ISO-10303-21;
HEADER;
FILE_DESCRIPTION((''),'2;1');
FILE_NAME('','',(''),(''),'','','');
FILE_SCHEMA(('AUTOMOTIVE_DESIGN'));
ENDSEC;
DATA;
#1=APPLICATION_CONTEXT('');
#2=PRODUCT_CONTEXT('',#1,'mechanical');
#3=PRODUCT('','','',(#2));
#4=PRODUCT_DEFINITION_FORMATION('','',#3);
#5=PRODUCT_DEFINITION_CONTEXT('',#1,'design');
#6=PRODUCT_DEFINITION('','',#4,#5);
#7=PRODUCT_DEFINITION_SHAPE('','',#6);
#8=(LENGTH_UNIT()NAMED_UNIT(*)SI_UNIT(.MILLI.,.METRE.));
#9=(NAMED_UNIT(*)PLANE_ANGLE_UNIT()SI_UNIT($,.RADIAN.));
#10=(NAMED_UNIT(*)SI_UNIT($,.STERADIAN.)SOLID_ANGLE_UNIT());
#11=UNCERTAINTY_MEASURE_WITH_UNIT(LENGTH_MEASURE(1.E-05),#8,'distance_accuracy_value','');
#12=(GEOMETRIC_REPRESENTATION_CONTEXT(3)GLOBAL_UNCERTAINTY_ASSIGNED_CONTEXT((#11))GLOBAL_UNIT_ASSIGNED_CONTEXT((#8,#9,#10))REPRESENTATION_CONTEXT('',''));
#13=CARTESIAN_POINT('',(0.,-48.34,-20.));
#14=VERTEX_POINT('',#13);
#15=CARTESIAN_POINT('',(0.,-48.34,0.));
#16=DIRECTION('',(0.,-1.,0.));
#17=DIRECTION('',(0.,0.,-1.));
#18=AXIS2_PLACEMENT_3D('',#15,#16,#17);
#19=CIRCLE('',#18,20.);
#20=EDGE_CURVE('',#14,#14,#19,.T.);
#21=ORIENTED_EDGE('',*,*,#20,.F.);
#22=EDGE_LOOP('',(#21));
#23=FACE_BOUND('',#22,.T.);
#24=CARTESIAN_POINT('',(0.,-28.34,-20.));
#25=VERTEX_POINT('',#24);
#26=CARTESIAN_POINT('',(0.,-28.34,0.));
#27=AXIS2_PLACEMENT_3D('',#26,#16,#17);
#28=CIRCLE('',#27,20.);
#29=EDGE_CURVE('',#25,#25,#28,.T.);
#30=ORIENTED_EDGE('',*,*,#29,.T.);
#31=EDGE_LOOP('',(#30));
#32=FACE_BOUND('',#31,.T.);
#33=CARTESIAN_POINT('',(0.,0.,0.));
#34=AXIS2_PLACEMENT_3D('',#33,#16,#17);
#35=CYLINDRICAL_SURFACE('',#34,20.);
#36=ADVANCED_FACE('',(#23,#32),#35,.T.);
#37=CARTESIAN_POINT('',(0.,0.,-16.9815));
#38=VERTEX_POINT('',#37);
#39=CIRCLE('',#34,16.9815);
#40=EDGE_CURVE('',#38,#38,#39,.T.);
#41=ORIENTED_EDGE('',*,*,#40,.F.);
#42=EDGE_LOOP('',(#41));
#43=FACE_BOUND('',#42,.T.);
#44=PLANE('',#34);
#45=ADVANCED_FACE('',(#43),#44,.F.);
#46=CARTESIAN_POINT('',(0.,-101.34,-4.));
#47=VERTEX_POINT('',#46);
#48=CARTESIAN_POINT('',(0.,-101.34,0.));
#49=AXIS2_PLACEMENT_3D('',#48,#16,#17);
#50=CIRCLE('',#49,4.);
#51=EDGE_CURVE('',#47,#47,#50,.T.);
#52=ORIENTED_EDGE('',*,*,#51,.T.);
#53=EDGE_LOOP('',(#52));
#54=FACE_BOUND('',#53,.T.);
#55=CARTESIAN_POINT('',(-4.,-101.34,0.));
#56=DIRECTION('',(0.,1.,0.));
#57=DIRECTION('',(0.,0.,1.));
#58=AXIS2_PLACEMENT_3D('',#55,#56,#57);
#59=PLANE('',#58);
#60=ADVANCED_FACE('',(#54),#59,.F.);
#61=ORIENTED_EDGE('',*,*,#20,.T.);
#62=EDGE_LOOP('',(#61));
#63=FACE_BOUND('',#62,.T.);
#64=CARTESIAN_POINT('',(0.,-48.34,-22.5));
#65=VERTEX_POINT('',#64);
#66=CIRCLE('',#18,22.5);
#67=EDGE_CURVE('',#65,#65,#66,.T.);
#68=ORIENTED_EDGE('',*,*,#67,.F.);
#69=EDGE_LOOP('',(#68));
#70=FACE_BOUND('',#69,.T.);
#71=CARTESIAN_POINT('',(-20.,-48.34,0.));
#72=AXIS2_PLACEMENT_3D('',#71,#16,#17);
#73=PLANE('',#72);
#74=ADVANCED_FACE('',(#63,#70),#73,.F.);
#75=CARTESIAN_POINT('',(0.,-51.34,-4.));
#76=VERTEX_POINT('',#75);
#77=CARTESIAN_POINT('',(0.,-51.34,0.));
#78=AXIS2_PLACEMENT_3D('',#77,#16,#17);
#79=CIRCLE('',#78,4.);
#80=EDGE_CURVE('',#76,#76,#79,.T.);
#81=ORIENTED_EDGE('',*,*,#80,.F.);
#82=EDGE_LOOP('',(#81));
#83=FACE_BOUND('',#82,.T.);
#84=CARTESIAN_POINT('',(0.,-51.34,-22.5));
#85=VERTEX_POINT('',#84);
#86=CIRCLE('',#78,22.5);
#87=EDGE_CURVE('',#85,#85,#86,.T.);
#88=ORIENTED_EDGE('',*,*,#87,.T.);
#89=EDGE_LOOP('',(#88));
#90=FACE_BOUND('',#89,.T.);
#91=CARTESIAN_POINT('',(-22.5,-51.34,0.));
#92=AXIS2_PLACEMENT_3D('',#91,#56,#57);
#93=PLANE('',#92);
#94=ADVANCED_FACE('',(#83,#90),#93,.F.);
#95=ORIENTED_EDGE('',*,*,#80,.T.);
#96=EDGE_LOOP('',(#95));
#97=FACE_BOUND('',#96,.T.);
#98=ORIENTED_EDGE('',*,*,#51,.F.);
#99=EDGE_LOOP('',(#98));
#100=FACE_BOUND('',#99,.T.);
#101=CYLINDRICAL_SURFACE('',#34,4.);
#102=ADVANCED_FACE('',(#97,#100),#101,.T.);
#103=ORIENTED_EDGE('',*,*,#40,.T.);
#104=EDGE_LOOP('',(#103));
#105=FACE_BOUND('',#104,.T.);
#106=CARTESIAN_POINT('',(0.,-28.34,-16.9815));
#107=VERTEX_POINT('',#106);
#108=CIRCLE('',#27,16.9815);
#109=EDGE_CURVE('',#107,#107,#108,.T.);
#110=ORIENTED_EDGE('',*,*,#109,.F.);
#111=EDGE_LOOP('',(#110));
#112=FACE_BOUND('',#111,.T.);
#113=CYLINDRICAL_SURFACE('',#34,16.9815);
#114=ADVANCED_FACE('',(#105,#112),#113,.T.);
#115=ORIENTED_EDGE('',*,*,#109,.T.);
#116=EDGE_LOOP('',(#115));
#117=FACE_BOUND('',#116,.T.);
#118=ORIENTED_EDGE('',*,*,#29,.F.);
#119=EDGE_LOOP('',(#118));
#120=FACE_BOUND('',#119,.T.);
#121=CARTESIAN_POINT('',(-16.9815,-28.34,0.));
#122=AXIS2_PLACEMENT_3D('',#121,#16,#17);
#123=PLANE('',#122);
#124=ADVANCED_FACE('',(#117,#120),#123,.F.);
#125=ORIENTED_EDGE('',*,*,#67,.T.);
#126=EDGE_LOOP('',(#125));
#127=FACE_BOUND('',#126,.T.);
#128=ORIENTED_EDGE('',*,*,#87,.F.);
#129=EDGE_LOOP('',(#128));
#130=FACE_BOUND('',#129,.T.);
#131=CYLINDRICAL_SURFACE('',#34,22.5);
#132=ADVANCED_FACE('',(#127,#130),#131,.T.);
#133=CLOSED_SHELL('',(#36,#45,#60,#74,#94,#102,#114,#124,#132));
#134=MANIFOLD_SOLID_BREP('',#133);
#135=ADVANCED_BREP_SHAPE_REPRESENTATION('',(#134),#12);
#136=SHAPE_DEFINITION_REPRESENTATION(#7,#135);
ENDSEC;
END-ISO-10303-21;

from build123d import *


with BuildPart() as part:
    # Sketch2 → Revolve1 (revolve)
    with BuildSketch(Plane.XY, mode=Mode.PRIVATE) as revolve1_sk:
        Polygon((0, 0), (-16.9815, 0), (-16.9815, -28.34), (-20, -28.34), (-20, -48.34), (-22.5, -48.34), (-22.5, -51.34), (-4, -51.34), (-4, -101.34), (0, -101.34), align=None)
    revolve(revolve1_sk.sketch.rotate(Axis((0, 0, 0), (0, 1, 0)), 270), axis=Axis((0, 0, 0), (0, 1, 0)))


solid = part.part
